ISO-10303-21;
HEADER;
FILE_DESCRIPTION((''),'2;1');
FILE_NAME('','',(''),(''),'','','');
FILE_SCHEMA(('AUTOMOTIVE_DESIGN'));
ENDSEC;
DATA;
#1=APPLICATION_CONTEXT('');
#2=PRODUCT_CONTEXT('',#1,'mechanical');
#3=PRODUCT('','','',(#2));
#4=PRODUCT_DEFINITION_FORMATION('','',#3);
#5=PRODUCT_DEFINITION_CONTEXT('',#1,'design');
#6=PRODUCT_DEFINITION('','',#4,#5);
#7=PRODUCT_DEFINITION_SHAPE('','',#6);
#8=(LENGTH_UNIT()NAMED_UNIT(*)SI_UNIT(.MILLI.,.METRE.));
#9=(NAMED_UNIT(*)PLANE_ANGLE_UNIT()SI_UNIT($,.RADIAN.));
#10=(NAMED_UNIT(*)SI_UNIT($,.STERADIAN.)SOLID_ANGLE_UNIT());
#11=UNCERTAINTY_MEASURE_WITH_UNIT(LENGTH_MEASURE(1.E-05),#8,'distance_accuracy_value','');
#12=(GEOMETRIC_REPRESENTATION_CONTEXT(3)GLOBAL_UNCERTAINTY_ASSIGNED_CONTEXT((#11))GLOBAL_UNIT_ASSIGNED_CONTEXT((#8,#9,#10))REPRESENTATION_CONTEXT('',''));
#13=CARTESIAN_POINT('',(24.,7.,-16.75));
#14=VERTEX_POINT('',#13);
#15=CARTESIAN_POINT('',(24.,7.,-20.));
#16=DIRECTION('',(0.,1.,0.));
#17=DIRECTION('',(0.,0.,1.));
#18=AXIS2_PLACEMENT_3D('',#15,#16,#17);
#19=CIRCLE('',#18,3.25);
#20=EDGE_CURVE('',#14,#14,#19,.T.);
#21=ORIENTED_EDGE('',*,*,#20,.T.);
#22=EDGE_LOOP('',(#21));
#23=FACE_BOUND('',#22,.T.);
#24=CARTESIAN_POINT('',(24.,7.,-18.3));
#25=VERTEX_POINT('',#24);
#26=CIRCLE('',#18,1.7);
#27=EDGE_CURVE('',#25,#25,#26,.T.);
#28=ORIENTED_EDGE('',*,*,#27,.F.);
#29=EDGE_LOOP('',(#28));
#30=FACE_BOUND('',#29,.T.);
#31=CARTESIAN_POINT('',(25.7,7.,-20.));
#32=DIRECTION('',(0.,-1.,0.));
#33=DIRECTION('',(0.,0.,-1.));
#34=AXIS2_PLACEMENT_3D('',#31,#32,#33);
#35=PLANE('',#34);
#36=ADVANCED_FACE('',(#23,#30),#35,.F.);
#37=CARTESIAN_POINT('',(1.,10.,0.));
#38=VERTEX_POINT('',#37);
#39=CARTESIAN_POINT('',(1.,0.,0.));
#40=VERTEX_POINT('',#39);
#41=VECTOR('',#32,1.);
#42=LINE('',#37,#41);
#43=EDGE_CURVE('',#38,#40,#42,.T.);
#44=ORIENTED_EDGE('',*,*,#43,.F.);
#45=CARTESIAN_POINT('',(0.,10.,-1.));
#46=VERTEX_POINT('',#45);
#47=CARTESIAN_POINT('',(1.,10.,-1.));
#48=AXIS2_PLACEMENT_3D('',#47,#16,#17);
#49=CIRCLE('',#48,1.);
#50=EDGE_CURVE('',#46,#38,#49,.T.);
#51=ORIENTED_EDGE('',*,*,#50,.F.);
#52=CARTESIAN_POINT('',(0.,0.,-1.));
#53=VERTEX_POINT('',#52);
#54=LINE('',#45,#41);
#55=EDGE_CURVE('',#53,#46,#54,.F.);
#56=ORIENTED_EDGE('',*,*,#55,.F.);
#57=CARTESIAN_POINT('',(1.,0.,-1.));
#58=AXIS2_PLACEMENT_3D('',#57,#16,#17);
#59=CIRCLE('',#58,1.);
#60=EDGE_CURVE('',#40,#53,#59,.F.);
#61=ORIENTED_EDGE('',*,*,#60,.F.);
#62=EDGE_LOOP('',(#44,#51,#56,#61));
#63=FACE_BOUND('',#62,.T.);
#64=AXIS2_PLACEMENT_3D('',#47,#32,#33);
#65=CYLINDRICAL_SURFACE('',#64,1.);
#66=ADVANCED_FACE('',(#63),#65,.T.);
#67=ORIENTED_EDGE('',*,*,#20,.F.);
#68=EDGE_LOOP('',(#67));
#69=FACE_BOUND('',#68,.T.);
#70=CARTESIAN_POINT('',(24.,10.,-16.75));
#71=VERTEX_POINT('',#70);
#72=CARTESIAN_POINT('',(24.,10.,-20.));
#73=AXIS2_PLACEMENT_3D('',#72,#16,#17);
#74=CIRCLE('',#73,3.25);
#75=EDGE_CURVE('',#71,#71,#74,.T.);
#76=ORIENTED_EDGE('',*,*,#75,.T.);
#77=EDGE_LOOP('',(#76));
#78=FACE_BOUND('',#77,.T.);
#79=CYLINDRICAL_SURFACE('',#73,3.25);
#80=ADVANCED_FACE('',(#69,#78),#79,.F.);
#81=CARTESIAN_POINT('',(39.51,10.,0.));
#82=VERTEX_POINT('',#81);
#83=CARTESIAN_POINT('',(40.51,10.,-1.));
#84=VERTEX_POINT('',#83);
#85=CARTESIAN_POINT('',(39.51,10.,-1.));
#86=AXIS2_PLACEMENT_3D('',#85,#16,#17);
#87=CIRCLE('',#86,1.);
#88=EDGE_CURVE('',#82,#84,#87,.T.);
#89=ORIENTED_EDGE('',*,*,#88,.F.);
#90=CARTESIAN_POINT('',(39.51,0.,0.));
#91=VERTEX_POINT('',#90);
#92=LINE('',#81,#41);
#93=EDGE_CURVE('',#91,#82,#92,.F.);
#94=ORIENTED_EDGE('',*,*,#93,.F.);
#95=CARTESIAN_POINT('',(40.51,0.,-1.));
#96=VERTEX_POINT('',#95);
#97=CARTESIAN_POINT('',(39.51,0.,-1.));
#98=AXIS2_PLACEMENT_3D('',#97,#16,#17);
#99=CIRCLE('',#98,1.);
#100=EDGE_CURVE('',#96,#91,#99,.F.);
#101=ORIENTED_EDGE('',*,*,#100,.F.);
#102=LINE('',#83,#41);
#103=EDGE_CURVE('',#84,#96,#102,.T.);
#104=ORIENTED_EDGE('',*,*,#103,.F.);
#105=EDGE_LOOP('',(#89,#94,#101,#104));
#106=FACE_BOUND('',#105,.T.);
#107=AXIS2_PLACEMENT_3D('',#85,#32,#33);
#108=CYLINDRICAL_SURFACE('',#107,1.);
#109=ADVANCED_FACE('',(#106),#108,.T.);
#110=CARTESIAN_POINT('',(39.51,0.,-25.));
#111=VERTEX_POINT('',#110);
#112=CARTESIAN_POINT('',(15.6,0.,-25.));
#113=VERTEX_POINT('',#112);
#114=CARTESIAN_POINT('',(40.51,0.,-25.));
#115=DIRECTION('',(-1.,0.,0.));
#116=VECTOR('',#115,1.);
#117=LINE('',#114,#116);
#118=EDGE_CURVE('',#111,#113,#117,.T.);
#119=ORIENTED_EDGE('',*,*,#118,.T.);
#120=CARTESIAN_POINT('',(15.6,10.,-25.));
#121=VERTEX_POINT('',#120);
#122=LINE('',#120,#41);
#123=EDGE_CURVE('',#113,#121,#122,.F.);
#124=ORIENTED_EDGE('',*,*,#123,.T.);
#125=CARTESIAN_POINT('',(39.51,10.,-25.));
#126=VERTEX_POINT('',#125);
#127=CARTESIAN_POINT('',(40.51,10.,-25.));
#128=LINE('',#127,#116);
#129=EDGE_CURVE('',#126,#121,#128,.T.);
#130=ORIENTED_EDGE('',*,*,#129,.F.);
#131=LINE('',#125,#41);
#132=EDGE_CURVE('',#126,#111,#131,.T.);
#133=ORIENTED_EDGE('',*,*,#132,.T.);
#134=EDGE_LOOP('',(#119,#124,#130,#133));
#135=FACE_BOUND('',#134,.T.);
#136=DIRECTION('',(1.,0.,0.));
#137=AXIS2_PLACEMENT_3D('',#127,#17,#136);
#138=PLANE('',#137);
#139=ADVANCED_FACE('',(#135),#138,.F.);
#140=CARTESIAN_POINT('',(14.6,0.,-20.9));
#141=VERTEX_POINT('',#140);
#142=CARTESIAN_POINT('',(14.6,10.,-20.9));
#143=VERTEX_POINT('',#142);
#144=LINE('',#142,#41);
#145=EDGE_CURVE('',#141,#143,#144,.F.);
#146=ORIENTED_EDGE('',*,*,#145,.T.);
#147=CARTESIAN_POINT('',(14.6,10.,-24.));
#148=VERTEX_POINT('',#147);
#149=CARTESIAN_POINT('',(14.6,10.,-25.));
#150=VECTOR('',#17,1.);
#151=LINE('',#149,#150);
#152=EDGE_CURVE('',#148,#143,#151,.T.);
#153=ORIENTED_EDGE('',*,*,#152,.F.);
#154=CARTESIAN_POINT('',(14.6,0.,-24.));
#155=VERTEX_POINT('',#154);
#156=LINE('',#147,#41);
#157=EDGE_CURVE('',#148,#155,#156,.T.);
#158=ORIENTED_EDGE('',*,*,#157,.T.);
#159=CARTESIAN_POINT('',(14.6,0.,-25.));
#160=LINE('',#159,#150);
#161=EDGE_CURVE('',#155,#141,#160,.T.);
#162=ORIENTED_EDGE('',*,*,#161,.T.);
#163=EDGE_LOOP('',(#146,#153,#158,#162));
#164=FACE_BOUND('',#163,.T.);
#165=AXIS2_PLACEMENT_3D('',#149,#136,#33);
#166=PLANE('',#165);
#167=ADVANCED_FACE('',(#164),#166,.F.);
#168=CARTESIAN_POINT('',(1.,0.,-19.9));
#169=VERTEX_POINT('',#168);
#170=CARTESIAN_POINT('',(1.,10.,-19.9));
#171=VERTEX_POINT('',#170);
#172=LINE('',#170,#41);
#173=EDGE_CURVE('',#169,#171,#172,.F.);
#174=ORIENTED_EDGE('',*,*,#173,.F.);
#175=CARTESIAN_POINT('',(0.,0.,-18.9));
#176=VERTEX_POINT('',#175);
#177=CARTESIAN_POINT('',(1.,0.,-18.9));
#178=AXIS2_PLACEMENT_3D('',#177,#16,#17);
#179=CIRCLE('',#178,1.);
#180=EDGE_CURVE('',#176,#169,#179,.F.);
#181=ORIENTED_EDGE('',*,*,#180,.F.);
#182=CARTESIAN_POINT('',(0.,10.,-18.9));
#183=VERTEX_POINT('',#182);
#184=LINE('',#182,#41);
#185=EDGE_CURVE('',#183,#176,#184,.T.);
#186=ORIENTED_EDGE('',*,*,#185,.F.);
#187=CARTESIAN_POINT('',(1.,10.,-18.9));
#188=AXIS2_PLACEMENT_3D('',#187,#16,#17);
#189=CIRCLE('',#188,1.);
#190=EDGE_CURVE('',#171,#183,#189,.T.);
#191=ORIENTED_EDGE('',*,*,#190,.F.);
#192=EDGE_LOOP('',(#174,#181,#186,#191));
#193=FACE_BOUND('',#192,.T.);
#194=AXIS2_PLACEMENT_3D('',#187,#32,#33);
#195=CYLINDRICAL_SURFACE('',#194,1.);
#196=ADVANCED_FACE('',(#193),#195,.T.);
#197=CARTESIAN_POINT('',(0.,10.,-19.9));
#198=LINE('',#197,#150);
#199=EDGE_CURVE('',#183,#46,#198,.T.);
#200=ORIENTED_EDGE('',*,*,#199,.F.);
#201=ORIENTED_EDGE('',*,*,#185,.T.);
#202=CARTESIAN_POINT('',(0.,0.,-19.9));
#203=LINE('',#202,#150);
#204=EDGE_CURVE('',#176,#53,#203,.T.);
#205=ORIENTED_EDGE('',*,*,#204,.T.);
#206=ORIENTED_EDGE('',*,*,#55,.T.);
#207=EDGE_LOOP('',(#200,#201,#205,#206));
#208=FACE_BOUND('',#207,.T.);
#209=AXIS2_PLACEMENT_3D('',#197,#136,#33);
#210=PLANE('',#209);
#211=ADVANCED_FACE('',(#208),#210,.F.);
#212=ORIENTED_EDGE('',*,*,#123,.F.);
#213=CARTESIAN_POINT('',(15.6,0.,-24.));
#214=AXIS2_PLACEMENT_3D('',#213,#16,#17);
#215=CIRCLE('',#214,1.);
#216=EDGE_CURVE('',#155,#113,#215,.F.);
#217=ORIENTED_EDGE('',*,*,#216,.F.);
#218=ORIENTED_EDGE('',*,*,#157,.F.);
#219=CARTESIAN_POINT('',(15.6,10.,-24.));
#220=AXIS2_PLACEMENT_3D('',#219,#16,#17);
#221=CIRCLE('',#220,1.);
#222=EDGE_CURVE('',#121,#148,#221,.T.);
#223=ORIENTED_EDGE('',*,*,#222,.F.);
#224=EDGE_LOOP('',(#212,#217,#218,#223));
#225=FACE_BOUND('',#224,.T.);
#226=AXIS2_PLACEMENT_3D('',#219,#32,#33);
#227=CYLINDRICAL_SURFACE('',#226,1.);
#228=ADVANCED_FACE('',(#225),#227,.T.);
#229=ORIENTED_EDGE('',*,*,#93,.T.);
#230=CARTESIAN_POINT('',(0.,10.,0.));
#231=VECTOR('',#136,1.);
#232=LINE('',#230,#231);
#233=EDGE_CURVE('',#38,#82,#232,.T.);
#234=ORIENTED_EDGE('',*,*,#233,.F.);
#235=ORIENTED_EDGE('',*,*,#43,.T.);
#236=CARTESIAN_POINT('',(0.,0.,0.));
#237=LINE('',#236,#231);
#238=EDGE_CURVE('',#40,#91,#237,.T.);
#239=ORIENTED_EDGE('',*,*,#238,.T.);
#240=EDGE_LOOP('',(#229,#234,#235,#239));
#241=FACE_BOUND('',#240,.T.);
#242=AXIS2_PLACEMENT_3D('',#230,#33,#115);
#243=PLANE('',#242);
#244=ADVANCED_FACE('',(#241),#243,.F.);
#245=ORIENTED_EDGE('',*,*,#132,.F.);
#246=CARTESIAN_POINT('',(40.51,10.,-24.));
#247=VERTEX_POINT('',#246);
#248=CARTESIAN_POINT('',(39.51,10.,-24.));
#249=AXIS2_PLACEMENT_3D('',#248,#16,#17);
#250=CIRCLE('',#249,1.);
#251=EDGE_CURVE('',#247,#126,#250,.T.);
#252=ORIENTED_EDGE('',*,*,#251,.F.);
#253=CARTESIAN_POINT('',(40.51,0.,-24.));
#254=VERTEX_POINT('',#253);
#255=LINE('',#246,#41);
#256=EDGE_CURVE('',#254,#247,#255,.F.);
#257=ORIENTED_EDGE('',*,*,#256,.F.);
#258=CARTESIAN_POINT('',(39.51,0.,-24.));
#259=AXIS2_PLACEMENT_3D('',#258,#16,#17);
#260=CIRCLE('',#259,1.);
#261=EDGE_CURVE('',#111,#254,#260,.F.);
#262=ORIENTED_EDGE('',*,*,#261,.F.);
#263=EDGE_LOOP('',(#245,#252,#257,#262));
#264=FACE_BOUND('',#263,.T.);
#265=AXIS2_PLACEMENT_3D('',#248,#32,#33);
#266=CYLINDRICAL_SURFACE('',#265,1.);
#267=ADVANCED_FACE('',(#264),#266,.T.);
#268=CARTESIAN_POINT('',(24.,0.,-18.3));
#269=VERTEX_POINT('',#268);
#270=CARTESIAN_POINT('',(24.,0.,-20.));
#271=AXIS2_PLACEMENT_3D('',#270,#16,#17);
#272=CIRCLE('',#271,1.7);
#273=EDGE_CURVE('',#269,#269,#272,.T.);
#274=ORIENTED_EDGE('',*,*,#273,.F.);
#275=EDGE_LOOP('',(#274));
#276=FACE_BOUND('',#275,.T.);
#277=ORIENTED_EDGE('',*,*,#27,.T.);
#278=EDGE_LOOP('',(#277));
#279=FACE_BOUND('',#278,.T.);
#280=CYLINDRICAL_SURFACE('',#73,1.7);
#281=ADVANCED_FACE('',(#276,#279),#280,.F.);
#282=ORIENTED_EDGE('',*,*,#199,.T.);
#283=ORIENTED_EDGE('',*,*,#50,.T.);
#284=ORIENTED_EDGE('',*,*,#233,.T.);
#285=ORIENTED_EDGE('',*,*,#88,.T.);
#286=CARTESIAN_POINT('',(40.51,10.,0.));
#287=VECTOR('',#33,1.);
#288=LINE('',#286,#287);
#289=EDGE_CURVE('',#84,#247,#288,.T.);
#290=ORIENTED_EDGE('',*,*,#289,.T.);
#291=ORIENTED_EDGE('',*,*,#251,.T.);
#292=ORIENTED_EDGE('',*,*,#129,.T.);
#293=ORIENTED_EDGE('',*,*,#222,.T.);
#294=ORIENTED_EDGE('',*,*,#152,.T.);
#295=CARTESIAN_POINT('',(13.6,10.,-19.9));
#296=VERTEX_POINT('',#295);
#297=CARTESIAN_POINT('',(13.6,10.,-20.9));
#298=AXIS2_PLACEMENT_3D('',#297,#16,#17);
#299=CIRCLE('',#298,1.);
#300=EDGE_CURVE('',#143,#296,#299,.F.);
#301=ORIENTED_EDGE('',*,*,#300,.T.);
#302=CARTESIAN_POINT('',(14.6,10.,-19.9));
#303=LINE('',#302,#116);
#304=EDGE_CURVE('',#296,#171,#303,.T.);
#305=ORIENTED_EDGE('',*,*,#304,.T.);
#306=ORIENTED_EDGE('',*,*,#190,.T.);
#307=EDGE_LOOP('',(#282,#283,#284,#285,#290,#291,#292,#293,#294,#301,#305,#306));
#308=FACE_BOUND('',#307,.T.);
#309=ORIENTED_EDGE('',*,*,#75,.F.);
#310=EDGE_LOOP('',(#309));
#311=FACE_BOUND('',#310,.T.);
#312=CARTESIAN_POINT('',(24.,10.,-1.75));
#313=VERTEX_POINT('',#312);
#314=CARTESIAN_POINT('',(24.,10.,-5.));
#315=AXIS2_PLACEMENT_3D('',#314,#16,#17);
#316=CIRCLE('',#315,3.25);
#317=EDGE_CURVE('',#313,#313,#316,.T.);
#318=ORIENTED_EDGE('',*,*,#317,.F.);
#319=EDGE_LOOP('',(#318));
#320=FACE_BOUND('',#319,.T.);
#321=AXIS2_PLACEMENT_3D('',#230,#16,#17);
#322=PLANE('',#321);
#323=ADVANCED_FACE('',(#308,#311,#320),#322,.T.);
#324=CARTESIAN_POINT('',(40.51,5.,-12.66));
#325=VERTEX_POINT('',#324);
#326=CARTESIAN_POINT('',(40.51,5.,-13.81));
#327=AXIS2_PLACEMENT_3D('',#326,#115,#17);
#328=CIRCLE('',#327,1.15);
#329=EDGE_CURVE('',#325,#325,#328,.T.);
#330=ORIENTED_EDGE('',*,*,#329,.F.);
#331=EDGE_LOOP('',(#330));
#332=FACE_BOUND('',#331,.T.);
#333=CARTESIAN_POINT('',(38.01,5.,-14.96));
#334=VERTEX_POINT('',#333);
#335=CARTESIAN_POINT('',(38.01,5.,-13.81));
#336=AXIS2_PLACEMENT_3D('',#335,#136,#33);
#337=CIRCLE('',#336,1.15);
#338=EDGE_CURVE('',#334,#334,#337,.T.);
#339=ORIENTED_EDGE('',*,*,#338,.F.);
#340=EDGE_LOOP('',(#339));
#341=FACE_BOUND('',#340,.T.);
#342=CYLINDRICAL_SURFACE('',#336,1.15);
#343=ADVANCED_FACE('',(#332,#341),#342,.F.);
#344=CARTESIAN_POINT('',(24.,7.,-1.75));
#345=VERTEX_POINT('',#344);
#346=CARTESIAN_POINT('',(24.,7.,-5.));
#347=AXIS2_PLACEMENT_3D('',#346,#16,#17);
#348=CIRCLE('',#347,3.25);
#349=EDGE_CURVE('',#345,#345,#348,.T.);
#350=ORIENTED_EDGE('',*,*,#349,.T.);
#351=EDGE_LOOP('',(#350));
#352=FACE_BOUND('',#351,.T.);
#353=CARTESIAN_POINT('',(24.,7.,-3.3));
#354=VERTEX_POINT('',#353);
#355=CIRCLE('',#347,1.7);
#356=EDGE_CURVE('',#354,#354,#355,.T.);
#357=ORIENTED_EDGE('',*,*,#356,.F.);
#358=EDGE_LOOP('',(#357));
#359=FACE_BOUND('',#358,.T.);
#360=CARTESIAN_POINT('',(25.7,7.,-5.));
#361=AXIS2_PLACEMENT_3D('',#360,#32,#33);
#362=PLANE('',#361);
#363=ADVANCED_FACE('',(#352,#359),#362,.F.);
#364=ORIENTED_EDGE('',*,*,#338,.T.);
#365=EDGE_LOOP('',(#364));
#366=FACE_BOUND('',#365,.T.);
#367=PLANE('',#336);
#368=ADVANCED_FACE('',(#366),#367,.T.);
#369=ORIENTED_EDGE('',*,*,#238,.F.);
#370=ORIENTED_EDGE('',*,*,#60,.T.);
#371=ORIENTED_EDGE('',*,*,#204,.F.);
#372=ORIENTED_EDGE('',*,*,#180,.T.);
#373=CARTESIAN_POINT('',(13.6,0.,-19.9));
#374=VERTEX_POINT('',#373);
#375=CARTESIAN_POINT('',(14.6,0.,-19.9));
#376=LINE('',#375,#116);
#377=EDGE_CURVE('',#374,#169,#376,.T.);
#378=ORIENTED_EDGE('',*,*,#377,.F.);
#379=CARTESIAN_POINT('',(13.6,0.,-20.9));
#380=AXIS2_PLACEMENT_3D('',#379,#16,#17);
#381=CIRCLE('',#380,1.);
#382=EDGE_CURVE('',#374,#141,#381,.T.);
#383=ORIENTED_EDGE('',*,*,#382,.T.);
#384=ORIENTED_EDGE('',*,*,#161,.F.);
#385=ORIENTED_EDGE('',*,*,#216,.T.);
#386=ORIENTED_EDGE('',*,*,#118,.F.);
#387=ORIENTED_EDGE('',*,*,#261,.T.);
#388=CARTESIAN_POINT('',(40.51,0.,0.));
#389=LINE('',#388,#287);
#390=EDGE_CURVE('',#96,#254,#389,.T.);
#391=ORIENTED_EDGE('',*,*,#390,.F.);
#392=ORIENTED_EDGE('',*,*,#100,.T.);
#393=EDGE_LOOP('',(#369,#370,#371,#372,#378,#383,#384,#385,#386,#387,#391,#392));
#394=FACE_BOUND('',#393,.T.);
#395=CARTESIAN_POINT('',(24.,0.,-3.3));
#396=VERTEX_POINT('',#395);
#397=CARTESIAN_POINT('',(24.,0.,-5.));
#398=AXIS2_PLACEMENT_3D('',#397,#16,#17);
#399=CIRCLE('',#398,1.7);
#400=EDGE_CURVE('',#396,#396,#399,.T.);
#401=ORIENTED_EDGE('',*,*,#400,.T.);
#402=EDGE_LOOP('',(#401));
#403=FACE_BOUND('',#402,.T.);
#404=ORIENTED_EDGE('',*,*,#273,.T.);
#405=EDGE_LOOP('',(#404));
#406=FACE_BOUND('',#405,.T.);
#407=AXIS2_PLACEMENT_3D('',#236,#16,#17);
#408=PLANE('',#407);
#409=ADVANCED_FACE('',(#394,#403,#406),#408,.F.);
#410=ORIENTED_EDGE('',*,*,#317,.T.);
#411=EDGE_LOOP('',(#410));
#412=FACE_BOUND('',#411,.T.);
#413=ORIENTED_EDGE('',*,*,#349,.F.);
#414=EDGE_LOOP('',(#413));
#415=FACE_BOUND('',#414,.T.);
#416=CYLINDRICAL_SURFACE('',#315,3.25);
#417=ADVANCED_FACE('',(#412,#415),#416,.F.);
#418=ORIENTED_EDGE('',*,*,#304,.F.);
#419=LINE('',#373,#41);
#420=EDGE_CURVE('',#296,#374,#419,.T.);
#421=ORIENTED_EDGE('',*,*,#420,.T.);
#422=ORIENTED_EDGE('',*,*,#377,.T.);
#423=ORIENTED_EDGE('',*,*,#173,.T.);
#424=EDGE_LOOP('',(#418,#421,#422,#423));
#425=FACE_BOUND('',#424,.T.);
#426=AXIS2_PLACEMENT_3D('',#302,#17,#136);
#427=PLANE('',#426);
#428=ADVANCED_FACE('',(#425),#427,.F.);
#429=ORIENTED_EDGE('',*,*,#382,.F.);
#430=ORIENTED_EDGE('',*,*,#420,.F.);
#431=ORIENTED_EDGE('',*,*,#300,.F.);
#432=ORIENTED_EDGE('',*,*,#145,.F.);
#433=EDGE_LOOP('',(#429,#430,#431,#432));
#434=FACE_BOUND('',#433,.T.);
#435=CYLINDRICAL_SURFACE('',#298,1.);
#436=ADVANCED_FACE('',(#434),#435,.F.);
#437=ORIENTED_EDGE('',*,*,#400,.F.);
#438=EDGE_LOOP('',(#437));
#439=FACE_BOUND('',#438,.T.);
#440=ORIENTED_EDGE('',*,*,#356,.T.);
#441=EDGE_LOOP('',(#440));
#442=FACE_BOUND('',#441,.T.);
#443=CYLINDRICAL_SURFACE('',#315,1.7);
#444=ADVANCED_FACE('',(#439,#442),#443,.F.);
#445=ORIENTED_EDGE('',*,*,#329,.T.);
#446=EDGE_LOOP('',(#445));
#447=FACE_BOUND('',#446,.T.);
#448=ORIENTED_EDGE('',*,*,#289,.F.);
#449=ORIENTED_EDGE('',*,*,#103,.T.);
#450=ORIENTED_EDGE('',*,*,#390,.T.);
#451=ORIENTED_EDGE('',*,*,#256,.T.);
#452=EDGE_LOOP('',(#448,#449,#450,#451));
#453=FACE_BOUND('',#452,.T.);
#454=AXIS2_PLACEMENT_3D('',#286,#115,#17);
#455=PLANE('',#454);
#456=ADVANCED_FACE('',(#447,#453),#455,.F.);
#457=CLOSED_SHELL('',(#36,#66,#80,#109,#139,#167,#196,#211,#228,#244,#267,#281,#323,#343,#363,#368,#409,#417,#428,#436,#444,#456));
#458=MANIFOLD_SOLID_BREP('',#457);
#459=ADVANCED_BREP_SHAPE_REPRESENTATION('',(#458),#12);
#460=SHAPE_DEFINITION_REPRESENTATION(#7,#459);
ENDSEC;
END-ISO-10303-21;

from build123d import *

# Parameters (mm, degrees)
BOSS_EXTRUDE1_DEPTH            = 10
FILLET1_R                      = 1
CBORE_FOR_M3_SHCS1_D           = 3.4
CBORE_FOR_M3_SHCS1_DEPTH       = 10
CBORE_FOR_M3_SHCS1_CBORE_D     = 6.5
CBORE_FOR_M3_SHCS1_CBORE_DEPTH = 3
SKETCH5_R                      = 1.15
CUT_EXTRUDE1_DEPTH             = 2.5


with BuildPart() as part:
    # Sketch1 → Boss-Extrude1 (new body)
    with BuildSketch(Plane(origin=(0, 0, 0), x_dir=(1, 0, 0), z_dir=(0, 1, 0))):
        Polygon((0, 0), (40.51, 0), (40.51, 25), (14.6, 25), (14.6, 19.9), (0, 19.9), align=None)
    extrude(amount=BOSS_EXTRUDE1_DEPTH)

    # Fillet1
    fillet1_edges = [part.edges().sort_by_distance(p)[0] for p in [
        (0, 5, -19.9),
        (14.6, 5, -19.9),
        (14.6, 5, -25),
        (40.51, 5, -25),
        (40.51, 5, 0),
        (0, 5, 0),
    ]]
    fillet(fillet1_edges, radius=FILLET1_R)

    # CBORE for M3 SHCS1
    with Locations(Plane(origin=(0, 10, 0), x_dir=(1, 0, 0), z_dir=(0, 1, 0))):
        with Locations((24, 20), (24, 5)):
            CounterBoreHole(CBORE_FOR_M3_SHCS1_D / 2, CBORE_FOR_M3_SHCS1_CBORE_D / 2, CBORE_FOR_M3_SHCS1_CBORE_DEPTH, depth=CBORE_FOR_M3_SHCS1_DEPTH)

    # Sketch5 → Cut-Extrude1 (cut, symmetric)
    with BuildSketch(Plane(origin=(40.51, 0, 0), x_dir=(0, 0, -1), z_dir=(1, 0, 0))):
        with Locations((13.81, 5)):
            Circle(SKETCH5_R)
    extrude(amount=CUT_EXTRUDE1_DEPTH, both=True, mode=Mode.SUBTRACT)


solid = part.part
